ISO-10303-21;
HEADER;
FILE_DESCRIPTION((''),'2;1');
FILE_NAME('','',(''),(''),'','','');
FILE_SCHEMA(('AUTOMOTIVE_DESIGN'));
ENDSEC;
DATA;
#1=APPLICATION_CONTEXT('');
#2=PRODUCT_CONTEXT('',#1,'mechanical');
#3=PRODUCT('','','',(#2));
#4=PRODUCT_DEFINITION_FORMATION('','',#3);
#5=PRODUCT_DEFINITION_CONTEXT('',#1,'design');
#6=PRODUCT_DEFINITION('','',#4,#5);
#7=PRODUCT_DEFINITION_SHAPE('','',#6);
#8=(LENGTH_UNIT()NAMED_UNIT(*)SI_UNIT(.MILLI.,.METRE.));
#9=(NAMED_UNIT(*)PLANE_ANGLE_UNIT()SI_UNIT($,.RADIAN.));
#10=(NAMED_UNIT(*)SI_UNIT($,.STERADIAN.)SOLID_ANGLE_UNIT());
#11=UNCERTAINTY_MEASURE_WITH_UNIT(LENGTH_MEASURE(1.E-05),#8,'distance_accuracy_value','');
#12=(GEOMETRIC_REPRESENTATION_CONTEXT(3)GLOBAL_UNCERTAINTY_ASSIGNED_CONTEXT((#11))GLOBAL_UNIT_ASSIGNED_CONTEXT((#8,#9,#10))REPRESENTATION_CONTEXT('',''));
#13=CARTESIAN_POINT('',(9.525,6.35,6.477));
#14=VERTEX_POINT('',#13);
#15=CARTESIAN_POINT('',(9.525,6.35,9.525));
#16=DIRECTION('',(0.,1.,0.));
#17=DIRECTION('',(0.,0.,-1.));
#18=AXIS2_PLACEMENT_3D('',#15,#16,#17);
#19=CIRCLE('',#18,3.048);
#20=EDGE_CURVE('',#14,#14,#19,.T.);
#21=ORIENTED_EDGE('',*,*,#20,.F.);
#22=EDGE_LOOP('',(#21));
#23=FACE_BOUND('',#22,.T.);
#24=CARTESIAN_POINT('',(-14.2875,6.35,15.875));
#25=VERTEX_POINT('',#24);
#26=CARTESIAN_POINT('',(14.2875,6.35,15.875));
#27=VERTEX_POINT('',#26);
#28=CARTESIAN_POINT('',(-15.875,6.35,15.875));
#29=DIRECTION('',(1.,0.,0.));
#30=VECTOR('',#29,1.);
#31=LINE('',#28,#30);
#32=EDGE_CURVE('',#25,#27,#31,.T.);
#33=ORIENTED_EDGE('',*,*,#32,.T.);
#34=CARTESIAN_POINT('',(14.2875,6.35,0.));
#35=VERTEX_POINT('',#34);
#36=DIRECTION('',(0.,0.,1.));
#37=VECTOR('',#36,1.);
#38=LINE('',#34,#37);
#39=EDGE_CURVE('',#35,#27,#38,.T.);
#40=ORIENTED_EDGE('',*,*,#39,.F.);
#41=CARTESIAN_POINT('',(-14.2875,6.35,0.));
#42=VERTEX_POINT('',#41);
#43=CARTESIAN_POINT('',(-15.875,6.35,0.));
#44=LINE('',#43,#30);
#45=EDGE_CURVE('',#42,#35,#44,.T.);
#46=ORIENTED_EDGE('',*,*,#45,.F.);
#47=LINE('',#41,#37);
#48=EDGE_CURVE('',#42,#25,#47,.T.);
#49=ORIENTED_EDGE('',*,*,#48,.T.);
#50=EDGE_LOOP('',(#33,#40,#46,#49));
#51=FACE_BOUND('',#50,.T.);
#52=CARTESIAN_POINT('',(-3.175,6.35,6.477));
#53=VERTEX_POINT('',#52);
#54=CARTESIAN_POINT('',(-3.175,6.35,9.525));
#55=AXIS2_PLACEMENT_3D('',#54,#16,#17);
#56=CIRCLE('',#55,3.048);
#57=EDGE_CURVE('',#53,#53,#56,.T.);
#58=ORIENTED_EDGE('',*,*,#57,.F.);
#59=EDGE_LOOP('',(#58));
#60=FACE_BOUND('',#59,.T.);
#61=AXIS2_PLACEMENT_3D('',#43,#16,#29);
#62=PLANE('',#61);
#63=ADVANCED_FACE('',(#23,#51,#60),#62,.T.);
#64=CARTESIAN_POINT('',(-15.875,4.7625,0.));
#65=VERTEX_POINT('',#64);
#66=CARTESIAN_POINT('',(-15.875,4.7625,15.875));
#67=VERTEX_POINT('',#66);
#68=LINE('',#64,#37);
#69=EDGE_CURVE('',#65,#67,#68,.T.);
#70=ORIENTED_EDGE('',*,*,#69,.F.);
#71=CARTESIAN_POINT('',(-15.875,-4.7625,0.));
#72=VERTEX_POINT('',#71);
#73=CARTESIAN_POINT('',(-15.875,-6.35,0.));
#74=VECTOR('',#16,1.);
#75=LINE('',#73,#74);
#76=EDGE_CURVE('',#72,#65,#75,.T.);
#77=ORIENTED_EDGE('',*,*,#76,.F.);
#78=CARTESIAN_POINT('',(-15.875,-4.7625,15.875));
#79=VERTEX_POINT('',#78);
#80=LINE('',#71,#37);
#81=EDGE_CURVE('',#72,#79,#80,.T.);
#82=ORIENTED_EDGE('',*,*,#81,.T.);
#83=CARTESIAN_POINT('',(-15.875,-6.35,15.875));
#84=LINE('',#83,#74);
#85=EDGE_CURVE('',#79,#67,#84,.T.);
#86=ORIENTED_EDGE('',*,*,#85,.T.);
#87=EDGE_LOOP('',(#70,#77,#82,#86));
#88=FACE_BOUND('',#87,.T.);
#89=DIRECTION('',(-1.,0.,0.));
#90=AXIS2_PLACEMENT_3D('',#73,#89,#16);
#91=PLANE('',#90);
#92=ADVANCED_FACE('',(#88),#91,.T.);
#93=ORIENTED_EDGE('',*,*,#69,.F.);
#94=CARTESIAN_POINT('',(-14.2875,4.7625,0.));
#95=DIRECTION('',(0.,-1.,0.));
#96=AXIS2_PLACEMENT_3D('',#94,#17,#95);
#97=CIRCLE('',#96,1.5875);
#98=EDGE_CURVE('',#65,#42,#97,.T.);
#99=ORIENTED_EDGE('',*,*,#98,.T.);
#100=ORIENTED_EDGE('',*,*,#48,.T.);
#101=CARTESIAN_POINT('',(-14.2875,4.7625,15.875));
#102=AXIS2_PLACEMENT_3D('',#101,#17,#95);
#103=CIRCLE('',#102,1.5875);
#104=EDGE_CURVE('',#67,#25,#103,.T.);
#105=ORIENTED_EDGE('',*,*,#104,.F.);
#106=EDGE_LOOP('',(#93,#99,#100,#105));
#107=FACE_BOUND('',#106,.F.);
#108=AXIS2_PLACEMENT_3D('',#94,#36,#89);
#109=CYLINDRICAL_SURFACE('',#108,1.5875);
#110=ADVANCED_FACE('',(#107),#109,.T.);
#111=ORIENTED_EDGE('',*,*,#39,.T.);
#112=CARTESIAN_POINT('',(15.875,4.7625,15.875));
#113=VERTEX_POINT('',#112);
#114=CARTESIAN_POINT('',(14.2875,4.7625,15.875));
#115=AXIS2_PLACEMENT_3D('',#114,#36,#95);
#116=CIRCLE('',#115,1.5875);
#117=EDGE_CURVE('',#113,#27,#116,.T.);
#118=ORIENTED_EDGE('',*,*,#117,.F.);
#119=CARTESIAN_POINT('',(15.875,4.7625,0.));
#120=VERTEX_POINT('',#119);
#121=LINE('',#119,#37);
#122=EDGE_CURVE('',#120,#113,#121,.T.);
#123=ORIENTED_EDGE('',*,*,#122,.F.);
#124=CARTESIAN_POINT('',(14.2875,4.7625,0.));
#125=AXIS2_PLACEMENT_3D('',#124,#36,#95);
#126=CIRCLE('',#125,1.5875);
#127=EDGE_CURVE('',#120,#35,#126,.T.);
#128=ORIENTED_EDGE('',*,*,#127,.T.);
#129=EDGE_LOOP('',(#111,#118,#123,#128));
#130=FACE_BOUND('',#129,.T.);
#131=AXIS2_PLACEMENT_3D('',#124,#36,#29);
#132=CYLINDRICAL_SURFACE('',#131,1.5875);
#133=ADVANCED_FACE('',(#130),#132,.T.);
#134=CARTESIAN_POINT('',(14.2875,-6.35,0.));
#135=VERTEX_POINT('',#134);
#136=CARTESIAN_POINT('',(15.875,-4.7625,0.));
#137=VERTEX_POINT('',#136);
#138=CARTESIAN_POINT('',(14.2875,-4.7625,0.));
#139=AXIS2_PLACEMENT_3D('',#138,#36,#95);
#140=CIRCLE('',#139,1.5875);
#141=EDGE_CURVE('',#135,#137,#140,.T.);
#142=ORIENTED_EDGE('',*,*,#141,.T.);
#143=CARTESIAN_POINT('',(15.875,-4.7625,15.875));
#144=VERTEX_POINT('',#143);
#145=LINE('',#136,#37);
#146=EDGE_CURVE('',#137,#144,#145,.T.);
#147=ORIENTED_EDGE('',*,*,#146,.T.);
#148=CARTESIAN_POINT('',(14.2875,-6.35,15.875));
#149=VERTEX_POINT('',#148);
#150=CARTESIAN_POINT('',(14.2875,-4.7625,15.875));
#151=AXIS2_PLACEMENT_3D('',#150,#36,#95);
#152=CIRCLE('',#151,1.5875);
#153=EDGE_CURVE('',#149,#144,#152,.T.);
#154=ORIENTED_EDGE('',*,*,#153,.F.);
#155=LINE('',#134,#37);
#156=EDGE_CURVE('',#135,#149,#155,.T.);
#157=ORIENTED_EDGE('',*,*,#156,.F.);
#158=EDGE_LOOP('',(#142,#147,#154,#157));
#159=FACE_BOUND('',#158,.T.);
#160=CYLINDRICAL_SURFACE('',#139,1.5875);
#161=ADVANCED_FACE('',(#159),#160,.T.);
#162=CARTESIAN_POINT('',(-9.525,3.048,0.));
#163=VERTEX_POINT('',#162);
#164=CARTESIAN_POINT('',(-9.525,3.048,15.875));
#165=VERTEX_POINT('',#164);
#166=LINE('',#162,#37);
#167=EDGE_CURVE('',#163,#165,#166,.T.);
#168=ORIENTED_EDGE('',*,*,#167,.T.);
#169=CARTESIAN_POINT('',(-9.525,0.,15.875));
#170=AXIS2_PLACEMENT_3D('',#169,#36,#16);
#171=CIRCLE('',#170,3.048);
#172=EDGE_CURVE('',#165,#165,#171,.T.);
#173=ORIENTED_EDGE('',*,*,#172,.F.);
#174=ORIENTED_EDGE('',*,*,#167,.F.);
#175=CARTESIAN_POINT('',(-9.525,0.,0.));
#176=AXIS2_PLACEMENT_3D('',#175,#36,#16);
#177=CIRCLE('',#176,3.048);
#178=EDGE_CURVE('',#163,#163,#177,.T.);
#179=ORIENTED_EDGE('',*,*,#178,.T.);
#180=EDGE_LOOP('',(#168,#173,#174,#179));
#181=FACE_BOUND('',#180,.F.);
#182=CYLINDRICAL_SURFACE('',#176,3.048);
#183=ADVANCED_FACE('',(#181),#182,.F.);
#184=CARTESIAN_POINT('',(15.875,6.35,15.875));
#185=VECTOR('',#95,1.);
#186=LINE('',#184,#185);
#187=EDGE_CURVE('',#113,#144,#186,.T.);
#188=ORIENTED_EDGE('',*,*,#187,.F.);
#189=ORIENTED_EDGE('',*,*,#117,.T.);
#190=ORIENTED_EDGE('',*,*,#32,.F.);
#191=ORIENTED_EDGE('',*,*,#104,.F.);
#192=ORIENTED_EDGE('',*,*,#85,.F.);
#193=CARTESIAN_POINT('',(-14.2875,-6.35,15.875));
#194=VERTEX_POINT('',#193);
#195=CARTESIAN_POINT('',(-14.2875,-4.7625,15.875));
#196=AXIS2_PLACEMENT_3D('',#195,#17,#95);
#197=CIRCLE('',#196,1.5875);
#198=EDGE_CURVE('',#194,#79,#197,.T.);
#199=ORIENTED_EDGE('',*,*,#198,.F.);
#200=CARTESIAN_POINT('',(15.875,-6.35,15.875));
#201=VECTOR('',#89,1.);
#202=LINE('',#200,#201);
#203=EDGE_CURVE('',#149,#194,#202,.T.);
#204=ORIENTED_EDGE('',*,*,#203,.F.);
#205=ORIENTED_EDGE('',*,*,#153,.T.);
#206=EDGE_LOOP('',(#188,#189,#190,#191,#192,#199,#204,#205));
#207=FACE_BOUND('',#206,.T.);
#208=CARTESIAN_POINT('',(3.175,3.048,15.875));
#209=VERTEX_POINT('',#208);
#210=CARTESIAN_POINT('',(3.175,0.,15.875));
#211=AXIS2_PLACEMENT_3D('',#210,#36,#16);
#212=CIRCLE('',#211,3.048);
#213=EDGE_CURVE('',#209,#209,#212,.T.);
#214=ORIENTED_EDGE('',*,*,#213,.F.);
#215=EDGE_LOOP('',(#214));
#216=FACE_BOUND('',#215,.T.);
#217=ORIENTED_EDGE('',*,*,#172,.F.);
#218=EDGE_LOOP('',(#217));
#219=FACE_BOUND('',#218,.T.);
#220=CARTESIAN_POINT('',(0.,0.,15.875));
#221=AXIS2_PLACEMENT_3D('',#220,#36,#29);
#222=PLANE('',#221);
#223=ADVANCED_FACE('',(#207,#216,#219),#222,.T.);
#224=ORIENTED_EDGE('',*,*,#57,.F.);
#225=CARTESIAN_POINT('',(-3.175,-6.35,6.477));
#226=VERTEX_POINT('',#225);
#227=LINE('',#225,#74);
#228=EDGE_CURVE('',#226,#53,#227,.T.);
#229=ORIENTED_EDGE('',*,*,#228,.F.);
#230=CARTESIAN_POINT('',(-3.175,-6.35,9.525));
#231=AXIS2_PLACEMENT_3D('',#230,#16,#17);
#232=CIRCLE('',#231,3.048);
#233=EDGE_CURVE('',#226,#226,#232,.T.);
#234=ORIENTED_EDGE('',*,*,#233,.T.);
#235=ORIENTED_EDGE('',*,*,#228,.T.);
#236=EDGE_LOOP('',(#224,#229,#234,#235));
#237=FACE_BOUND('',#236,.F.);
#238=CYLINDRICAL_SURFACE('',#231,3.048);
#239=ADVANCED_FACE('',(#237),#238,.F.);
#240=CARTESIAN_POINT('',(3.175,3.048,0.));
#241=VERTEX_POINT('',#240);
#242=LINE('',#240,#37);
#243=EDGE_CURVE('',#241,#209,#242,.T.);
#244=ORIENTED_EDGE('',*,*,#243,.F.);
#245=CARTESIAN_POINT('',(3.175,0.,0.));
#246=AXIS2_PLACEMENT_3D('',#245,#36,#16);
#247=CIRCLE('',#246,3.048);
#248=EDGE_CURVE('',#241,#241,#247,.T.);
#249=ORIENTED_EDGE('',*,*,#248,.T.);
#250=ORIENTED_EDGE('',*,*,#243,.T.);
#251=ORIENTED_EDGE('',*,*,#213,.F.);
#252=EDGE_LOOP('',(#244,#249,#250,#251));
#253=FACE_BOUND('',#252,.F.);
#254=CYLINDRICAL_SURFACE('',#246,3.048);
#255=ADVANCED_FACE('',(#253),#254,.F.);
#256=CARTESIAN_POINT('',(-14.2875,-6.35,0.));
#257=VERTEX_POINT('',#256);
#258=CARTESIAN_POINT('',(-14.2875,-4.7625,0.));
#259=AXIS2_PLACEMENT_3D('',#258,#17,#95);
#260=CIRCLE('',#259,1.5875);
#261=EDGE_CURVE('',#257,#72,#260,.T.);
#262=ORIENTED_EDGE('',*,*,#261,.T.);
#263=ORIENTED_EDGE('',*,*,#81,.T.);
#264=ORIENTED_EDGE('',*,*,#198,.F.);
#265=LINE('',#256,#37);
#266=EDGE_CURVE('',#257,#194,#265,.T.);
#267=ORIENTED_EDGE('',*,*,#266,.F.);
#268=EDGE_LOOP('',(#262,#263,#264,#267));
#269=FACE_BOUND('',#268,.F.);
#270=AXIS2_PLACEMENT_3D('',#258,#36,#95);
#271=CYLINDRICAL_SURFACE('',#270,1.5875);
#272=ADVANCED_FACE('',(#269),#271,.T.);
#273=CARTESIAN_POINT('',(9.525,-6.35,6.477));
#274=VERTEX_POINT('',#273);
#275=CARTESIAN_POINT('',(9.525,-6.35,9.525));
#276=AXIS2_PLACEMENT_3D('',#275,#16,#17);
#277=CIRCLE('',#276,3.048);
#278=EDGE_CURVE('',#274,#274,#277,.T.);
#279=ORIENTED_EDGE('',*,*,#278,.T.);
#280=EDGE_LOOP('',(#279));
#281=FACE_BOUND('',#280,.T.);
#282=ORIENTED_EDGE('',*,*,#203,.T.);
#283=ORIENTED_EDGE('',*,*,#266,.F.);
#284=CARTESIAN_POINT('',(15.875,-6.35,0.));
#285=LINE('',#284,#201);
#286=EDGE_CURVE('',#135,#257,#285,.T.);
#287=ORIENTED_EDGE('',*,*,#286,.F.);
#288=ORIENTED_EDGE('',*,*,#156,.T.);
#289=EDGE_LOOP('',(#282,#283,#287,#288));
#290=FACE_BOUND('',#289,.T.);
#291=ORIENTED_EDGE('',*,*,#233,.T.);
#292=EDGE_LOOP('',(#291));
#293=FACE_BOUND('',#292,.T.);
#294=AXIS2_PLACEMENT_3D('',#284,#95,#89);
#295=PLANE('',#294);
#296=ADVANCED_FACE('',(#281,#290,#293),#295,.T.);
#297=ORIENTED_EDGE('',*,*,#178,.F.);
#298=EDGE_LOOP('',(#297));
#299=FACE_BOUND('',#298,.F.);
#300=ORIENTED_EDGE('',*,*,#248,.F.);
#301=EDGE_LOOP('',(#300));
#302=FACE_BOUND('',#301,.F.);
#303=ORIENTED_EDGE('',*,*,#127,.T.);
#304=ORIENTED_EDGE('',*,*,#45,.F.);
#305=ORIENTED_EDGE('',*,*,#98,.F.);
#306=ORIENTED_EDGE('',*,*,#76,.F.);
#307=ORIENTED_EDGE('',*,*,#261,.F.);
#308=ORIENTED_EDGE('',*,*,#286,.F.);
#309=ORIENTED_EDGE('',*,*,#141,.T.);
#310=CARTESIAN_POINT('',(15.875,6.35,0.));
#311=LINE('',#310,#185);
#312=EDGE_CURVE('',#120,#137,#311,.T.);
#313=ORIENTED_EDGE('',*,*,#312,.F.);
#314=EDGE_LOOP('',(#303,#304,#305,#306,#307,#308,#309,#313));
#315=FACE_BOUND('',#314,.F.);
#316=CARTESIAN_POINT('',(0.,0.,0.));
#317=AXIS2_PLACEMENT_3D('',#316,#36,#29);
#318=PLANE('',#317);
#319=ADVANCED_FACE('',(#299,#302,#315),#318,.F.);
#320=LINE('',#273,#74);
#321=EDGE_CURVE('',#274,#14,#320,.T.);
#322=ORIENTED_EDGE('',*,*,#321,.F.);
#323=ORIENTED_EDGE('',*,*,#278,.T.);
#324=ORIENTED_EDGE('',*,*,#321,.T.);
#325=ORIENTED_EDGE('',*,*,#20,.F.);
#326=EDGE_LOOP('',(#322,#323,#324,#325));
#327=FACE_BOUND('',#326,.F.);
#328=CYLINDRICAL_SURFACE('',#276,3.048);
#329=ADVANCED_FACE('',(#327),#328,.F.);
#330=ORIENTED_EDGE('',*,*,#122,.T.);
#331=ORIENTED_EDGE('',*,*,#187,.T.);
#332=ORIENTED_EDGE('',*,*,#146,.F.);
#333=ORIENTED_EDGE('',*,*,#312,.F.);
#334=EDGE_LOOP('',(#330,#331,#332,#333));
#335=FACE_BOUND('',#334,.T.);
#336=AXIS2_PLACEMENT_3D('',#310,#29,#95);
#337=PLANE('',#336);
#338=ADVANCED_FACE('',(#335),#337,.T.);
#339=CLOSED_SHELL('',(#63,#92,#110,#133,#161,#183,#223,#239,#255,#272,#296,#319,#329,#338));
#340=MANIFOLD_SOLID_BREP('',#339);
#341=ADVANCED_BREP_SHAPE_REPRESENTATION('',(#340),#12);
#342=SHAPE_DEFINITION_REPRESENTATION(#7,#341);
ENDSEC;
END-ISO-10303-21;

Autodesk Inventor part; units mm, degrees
ref_plane "YZ Plane" through (0, 0, 0) normal (1, 0, 0) x (0, 1, 0)
ref_plane "XZ Plane" through (0, 0, 0) normal (0, 1, 0) x (-1, 0, 0)
ref_plane "XY Plane" through (0, 0, 0) normal (0, 0, 1) x (1, 0, 0)
sketch "Sketch1" plane through (0, 0, 0) normal (0, 0, 1) x (1, 0, 0)
  line L0 (15.875, -6.35) -> (-15.875, -6.35)
  line L1 (-15.875, -6.35) -> (-15.875, 6.35)
  line L2 (-15.875, 6.35) -> (15.875, 6.35)
  line L3 (15.875, 6.35) -> (15.875, -6.35)
  line L4 (15.875, -6.35) -> (-15.875, 6.35) construction
  line L5 (-15.875, -6.35) -> (15.875, 6.35) construction
  point P0 (0, 0)
  dimension "d0" = 31.75
  dimension "d1" = 12.7
extrude "Extrusion1" add sketch "Sketch1" along normal blind 15.875
sketch "Sketch2" plane through (0, 0, 0) normal (0, 0, -1) x (-1, 0, 0)
  line L0 (15.875, 6.35) -> (15.875, -6.35) projected
  point P0 (0, 0)
  point P1 (9.525, 0)
  point P2 (-3.175, 0)
  dimension "d4" = 12.7
  dimension "d5" = 6.35
hole "Hole1" at (-9.525, 0, 0) at (3.175, 0, 0) direction (0, 0, 1) diameter 6.096 end through all
sketch "Sketch3" plane through (-15.875, -6.35, 0) normal (0, -1, 0) x (1, 0, 0)
  line L0 (0, 0) -> (0, 15.875) projected
  line L1 (0, 0) -> (31.75, 0) projected
  point P0 (15.875, 0)
  point P1 (12.7, 9.525)
  point P2 (25.4, 9.525)
  dimension "d13" = 12.7
  dimension "d14" = 12.7
  dimension "d15" = 9.525
hole "Hole2" at (-3.175, -6.35, 9.525) at (9.525, -6.35, 9.525) direction (0, 1, 0) diameter 6.096 end through all
fillet "Fillet1" radius 1.5875 4 edges at (-15.875, -6.35, 7.9375) (-15.875, 6.35, 7.9375) (15.875, -6.35, 7.9375) (15.875, 6.35, 7.9375)
properties part number "3DPRINT,LEFT,NUT-BLOCK" material "Nylon 6/6"
